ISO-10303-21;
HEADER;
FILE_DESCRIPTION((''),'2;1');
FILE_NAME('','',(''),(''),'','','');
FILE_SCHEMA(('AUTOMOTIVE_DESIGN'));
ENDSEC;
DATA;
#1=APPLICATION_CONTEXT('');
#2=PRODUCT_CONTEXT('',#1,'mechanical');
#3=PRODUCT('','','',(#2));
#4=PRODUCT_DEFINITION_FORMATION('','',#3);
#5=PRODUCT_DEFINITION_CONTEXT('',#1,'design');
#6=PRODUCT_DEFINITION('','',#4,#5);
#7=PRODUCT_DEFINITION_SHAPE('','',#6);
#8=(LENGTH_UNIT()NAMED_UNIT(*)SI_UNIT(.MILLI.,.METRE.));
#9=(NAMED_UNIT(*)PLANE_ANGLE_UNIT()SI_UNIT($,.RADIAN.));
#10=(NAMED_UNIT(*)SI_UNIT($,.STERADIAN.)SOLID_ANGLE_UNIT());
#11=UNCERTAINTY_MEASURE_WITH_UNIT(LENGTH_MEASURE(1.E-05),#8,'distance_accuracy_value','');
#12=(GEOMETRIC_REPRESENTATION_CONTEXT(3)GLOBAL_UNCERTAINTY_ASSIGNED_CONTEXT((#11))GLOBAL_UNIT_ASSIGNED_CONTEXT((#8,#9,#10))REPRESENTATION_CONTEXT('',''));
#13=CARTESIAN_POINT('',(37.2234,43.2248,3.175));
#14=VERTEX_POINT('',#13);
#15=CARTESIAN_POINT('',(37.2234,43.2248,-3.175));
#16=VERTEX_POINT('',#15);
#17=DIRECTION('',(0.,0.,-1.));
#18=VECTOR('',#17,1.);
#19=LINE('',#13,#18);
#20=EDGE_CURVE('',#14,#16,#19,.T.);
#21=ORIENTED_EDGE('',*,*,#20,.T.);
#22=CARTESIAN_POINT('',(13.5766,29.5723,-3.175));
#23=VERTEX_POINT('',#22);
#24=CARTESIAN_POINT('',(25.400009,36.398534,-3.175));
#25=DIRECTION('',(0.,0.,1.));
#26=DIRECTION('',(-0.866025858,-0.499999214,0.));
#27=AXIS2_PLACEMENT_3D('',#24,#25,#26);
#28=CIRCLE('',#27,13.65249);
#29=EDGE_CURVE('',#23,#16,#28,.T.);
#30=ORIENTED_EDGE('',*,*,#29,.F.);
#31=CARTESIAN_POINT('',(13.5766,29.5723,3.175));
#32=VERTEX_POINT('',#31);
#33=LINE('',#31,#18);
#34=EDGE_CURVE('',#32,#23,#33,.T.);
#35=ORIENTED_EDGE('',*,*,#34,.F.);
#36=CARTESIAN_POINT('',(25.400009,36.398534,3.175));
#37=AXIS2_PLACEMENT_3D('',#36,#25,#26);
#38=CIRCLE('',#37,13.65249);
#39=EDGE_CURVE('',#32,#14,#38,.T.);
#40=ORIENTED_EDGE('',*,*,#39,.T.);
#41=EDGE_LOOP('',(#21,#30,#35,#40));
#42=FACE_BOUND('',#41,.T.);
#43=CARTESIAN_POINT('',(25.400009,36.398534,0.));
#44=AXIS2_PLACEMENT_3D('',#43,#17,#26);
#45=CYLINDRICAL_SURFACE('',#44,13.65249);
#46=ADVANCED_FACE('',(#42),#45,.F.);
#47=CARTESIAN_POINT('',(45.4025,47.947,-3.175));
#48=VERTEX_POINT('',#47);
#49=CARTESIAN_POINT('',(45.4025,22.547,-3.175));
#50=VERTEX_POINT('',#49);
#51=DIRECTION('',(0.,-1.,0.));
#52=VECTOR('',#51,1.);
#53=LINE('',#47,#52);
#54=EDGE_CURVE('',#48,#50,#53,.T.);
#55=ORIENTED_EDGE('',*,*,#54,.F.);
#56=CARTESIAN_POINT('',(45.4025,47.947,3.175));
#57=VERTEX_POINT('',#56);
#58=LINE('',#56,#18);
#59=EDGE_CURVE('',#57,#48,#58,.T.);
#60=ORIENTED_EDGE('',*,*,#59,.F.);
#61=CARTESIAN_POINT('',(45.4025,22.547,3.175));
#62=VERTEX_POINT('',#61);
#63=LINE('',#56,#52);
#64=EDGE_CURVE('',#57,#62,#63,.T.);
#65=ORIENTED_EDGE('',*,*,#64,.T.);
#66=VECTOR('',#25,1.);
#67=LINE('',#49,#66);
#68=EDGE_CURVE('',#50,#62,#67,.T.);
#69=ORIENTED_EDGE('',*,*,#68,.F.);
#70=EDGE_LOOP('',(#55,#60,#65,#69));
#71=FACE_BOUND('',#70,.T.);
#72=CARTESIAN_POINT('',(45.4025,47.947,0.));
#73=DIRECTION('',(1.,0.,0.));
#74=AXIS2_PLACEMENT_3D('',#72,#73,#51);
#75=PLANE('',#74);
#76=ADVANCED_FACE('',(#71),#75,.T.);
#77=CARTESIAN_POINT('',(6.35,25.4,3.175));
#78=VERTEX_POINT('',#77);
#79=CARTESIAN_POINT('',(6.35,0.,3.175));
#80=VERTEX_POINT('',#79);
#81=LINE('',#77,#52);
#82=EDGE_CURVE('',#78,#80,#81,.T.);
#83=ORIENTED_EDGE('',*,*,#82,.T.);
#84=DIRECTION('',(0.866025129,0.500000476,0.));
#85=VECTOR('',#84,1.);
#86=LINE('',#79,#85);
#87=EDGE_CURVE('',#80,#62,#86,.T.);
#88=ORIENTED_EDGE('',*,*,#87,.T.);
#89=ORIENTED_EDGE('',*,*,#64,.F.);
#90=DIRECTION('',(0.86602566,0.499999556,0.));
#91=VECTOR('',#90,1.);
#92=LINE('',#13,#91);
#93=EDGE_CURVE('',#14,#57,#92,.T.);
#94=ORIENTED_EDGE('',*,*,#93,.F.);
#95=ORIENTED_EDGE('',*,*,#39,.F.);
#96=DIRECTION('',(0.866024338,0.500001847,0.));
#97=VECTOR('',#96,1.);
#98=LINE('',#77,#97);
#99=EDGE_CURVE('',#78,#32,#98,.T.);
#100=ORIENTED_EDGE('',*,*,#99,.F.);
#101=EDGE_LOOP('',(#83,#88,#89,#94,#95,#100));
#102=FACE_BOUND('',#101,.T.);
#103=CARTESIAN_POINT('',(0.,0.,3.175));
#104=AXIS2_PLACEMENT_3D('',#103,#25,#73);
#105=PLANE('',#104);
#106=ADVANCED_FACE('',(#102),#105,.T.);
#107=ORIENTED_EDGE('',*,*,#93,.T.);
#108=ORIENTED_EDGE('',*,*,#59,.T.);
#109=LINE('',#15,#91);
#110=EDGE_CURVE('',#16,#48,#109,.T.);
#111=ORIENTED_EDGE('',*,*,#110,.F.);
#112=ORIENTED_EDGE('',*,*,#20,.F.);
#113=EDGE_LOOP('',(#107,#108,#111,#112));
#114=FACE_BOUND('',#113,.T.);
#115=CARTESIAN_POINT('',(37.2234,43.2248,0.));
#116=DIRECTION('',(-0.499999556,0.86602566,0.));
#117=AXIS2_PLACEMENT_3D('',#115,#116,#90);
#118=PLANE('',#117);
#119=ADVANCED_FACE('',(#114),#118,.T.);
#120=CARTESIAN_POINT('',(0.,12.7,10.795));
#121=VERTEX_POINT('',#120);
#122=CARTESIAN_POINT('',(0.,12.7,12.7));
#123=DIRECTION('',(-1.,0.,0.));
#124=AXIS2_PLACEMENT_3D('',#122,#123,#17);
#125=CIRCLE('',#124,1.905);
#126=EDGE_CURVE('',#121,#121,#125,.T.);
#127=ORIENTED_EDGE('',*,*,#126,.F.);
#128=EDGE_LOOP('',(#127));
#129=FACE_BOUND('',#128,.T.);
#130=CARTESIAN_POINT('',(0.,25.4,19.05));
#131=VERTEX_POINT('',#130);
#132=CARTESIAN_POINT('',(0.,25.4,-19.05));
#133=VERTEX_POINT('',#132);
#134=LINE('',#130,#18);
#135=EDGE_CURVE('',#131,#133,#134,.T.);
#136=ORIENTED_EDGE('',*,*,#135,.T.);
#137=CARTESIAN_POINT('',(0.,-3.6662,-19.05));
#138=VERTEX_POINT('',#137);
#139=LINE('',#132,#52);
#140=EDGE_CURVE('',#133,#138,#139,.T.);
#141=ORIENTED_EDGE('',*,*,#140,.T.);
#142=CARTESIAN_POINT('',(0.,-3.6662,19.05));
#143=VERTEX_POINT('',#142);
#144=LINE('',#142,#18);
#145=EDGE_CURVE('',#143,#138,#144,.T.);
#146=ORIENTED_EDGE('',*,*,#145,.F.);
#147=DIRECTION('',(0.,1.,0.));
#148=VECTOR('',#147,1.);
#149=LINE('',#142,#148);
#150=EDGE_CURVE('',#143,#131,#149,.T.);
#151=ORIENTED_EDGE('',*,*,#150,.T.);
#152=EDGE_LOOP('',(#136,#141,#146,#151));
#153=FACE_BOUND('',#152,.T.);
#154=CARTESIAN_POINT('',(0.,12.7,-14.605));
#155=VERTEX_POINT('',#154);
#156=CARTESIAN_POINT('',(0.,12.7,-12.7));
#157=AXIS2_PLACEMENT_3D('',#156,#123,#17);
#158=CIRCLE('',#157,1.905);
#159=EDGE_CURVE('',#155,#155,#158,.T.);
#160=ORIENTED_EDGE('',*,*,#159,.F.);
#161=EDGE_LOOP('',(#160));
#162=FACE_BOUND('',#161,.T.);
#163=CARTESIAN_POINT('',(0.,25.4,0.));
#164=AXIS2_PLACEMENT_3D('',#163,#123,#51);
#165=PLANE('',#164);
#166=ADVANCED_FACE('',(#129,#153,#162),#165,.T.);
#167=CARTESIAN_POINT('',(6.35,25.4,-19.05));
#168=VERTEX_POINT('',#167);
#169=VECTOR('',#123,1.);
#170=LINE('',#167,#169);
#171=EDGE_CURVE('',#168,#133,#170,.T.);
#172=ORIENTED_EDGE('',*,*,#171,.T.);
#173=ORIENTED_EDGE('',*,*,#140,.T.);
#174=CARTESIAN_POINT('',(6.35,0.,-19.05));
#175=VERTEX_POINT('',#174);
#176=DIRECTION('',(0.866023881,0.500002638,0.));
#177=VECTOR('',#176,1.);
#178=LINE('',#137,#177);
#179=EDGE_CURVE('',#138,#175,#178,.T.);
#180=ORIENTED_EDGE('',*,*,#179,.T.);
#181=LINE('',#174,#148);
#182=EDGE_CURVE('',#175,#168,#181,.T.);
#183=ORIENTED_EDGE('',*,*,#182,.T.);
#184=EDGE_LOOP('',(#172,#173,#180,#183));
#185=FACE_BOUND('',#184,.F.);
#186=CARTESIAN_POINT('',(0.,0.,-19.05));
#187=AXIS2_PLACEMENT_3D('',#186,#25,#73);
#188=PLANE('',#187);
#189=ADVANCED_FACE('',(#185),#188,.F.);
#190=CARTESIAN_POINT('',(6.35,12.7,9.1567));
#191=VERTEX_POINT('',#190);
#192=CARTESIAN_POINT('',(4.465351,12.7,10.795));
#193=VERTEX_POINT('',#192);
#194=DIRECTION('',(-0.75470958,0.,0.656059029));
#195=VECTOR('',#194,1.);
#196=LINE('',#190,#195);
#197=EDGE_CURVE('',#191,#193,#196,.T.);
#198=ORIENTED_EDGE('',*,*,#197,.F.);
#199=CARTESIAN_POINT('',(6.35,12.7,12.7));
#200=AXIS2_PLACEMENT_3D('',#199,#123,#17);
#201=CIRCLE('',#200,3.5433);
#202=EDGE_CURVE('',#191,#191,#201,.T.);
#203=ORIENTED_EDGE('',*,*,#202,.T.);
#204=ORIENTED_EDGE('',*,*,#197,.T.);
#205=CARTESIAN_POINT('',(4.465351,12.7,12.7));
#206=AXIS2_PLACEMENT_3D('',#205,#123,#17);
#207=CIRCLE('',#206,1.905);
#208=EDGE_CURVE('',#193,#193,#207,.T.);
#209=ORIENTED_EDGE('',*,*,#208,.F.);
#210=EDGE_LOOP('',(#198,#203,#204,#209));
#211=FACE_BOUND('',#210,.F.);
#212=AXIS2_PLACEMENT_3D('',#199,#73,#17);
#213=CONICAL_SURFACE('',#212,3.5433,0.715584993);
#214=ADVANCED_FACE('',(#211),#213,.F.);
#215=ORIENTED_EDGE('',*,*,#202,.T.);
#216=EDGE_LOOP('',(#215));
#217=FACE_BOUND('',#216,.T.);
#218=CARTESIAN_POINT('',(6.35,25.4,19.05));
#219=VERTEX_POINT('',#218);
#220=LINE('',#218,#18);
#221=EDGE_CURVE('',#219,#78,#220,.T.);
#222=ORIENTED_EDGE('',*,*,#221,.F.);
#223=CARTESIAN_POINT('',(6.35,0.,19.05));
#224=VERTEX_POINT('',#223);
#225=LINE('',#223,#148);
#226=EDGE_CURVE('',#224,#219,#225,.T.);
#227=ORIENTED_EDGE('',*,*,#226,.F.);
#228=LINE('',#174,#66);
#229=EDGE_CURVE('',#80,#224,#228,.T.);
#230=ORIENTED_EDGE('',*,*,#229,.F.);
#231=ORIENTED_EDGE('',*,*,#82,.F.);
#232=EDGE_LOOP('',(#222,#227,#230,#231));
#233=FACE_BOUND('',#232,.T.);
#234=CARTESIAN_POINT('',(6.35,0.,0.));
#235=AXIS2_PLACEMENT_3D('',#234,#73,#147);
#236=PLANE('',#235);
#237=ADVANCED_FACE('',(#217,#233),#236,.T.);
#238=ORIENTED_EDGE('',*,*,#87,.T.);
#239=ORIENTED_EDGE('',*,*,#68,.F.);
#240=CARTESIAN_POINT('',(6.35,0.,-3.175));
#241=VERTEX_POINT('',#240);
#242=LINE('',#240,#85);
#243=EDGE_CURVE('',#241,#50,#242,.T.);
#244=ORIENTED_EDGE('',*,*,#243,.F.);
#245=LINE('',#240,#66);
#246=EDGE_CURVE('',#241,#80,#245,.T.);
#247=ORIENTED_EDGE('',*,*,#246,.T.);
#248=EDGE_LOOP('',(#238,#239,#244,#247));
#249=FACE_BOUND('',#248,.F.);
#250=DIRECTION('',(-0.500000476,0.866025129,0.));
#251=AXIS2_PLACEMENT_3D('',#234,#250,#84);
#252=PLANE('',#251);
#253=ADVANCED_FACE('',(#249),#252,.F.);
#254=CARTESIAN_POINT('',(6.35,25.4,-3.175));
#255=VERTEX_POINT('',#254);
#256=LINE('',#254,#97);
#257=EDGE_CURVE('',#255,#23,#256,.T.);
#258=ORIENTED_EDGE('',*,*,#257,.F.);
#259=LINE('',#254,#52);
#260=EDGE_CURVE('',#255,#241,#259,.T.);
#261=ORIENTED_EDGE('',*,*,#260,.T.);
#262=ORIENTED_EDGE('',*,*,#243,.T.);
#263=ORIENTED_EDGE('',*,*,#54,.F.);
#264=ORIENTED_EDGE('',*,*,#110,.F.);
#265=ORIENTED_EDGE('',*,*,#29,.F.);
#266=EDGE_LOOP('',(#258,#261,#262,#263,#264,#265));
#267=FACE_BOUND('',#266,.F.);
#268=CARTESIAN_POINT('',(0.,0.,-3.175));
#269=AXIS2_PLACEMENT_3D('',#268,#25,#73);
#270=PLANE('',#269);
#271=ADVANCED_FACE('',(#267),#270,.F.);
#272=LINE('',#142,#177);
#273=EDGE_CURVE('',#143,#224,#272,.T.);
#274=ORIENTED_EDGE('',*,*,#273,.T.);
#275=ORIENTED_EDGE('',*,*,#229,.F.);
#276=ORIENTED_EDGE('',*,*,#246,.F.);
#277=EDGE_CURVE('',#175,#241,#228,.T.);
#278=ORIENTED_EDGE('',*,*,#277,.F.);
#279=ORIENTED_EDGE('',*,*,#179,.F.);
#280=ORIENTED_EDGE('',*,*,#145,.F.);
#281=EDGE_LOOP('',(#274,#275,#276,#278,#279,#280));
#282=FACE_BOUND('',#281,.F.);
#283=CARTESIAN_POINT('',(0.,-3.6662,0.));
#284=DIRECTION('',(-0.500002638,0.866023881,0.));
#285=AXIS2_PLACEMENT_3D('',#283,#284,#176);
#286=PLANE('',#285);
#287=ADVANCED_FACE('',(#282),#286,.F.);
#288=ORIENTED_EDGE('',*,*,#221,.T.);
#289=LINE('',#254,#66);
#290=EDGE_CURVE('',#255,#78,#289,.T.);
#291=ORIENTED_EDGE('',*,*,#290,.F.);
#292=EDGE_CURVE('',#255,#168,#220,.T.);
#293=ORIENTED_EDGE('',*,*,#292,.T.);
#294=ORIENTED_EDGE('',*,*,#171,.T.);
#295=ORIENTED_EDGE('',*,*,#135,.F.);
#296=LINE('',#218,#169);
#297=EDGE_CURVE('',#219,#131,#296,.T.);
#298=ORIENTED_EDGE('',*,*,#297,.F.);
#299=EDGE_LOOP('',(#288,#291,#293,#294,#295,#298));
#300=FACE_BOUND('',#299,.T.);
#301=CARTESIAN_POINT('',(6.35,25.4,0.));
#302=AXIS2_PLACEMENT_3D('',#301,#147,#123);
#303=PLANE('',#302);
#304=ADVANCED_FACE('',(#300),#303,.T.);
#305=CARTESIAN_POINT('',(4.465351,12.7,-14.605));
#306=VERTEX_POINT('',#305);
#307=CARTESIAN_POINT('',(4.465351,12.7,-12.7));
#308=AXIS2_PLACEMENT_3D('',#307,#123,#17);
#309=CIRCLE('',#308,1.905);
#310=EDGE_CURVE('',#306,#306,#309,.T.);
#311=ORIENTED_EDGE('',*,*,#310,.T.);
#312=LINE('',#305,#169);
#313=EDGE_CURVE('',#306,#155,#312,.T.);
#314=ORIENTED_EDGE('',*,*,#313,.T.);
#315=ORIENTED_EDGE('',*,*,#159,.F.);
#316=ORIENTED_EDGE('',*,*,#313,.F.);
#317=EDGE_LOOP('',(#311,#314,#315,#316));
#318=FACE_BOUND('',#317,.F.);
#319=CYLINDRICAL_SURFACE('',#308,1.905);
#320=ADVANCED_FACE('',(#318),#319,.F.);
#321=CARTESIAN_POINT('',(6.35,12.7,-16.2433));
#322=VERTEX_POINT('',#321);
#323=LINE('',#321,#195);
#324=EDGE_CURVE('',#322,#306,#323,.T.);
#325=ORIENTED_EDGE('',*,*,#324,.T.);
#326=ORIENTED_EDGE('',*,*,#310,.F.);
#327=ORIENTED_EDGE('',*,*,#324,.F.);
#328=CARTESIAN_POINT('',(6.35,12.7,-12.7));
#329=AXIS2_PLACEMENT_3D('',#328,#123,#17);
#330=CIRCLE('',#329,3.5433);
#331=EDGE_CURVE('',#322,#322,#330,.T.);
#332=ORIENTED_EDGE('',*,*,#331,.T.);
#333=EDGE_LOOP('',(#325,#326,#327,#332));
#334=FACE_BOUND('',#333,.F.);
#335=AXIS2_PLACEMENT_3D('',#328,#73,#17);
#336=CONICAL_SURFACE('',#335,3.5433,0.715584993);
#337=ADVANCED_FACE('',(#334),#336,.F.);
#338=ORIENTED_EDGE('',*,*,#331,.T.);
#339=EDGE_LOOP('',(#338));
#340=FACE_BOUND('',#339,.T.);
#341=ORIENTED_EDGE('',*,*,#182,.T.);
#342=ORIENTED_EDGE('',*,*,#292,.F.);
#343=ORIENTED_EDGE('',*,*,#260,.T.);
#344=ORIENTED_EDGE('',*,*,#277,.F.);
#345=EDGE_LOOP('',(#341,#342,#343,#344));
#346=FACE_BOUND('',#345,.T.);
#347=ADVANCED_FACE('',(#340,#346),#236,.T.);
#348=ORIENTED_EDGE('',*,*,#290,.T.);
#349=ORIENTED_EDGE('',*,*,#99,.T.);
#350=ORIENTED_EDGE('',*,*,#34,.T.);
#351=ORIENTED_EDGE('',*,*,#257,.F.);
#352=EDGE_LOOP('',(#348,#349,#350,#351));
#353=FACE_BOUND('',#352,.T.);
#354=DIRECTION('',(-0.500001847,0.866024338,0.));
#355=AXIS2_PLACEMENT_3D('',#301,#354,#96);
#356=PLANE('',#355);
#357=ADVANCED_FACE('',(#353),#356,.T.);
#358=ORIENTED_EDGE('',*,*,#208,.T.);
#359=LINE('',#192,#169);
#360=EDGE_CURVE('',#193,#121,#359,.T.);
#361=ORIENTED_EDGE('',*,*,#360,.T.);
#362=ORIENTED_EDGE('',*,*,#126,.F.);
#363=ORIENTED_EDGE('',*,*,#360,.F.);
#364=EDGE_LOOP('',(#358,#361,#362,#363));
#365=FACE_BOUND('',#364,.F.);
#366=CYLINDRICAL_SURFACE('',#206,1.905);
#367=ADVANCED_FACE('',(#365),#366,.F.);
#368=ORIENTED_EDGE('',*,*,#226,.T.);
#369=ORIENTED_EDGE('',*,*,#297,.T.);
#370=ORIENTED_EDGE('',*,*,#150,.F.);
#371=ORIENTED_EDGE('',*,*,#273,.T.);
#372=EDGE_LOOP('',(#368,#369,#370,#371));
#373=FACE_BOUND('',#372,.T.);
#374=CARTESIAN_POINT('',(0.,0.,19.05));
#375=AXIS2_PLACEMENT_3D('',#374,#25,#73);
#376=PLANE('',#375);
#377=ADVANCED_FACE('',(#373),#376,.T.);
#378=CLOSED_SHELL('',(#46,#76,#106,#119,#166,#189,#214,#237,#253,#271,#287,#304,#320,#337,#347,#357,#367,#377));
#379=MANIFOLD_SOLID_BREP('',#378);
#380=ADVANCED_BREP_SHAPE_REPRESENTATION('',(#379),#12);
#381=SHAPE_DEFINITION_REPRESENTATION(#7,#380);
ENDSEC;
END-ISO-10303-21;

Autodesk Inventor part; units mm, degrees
ref_plane "YZ Plane" through (0, 0, 0) normal (1, 0, 0) x (0, 1, 0)
ref_plane "XZ Plane" through (0, 0, 0) normal (0, 1, 0) x (-1, 0, 0)
ref_plane "XY Plane" through (0, 0, 0) normal (0, 0, 1) x (1, 0, 0)
sketch "Sketch5" plane through (0, 0, 0) normal (0, 0, 1) x (1, 0, 0)
  line L0 (0, 0) -> (6.35, 0)
  line L1 (6.35, 0) -> (6.35, 25.4)
  line L2 (6.35, 25.4) -> (0, 25.4)
  line L3 (0, 25.4) -> (0, 0)
  dimension "d21" = 25.4
  dimension "d22" = 6.35
extrude "Extrusion3" add sketch "Sketch5" against normal mid plane 38.1
sketch "Sketch6" plane through (0, 0, 0) normal (0, 0, 1) x (1, 0, 0)
  line L0 (6.35, 25.4) -> (6.35, 0) projected
  line L1 (0, 25.4) -> (6.35, 25.4) projected
  line L2 (6.35, 0) -> (0, 0) projected
  line L3 (0, 0) -> (0, 25.4) projected
  line L4 (6.35, 0) -> (45.4025, 22.547)
  line L5 (6.35, 0) -> (51.4439, 0) construction
  line L6 (45.4025, 47.947) -> (45.4025, 22.547)
  arc A0 (13.5766, 29.5723) -> (37.2234, 43.2248) centre (25.4, 36.3985) ccw
  line L7 (6.35, 25.4) -> (13.5766, 29.5723)
  line L8 (37.2234, 43.2248) -> (45.4025, 47.947)
  dimension "d25" = 30
  dimension "d26" = 27.305
  dimension "d29" = 6.35
  dimension "d30" = 25.4
  dimension "d33" = 0
extrude "Extrusion4" add sketch "Sketch6" along normal mid plane 6.35 contours L7 A0 L8 L6 L4 L0
sketch "Sketch7" plane through (6.35, 0, 19.05) normal (1, 0, 0) x (0, 0, -1)
  line L0 (38.1, 25.4) -> (0, 25.4) construction
  line L1 (6.35, 25.4) -> (6.35, 0) construction
  line L2 (31.75, 25.4) -> (31.75, 0) construction
  line L3 (0, 0) -> (0, 25.4) construction
  line L4 (38.1, 25.4) -> (38.1, 0) construction
  line L5 (0, 0) -> (15.875, 0) projected
  line L6 (22.225, 0) -> (38.1, 0) projected
  point P0 (19.05, 0)
  point P1 (6.35, 12.7)
  point P2 (31.75, 12.7)
  dimension "d34" = 6.35
  dimension "d35" = 6.35
sketch "Sketch8" plane through (0, 0, 0) normal (0, 0, 1) x (1, 0, 0)
  line L0 (0, 0) -> (0, 25.4) projected
  line L1 (6.35, 0) -> (0, 0) projected
  line L2 (45.4025, 22.547) -> (6.35, 0) projected
  line L3 (0, 0) -> (6.35, 0)
  line L4 (0, -3.6662) -> (6.35, 0)
  line L5 (0, 0) -> (0, -3.6662)
extrude "Extrusion5" add sketch "Sketch8" along normal mid plane 38.1
hole "Hole3" at (6.35, 12.7, 12.7) at (6.35, 12.7, -12.7) direction (-1, 0, 0) diameter 3.81 end through all countersink diameter 7.0866 countersink angle 82 clearance for "Flat Head Machine Screw (82)" size "#6" standard "Ansi Unified Screw Threads"
equation "\"d21\" = supportHeight"
equation "\"d22\" = supportWidth"
equation "\"d23\" = totalScrewHoldWidth"
equation "\"d25\" = supportAngle"
equation "\"d26\" = pipeDiameter"
equation "\"d30\" = distanceFromWallToPipeCenter"
equation "\"d31\" = supportWidth"
equation "\"d47\" = totalScrewHoldWidth"
equation "\"pipeDiameter\" = 27.305"
equation "\"distanceFromWallToPipeCenter\" = 25.4"
equation "\"supportHeight\" = 25.4"
equation "\"supportWidth\" = 6.35"
equation "\"screwHoldDepth\" = 6.35"
equation "\"totalScrewHoldWidth\" = 38.1"
equation "\"screwPositionFromTop\" = 6.35"
equation "\"supportAngle\" = 30deg"
properties part number "PipeSupport-1_00-030"
